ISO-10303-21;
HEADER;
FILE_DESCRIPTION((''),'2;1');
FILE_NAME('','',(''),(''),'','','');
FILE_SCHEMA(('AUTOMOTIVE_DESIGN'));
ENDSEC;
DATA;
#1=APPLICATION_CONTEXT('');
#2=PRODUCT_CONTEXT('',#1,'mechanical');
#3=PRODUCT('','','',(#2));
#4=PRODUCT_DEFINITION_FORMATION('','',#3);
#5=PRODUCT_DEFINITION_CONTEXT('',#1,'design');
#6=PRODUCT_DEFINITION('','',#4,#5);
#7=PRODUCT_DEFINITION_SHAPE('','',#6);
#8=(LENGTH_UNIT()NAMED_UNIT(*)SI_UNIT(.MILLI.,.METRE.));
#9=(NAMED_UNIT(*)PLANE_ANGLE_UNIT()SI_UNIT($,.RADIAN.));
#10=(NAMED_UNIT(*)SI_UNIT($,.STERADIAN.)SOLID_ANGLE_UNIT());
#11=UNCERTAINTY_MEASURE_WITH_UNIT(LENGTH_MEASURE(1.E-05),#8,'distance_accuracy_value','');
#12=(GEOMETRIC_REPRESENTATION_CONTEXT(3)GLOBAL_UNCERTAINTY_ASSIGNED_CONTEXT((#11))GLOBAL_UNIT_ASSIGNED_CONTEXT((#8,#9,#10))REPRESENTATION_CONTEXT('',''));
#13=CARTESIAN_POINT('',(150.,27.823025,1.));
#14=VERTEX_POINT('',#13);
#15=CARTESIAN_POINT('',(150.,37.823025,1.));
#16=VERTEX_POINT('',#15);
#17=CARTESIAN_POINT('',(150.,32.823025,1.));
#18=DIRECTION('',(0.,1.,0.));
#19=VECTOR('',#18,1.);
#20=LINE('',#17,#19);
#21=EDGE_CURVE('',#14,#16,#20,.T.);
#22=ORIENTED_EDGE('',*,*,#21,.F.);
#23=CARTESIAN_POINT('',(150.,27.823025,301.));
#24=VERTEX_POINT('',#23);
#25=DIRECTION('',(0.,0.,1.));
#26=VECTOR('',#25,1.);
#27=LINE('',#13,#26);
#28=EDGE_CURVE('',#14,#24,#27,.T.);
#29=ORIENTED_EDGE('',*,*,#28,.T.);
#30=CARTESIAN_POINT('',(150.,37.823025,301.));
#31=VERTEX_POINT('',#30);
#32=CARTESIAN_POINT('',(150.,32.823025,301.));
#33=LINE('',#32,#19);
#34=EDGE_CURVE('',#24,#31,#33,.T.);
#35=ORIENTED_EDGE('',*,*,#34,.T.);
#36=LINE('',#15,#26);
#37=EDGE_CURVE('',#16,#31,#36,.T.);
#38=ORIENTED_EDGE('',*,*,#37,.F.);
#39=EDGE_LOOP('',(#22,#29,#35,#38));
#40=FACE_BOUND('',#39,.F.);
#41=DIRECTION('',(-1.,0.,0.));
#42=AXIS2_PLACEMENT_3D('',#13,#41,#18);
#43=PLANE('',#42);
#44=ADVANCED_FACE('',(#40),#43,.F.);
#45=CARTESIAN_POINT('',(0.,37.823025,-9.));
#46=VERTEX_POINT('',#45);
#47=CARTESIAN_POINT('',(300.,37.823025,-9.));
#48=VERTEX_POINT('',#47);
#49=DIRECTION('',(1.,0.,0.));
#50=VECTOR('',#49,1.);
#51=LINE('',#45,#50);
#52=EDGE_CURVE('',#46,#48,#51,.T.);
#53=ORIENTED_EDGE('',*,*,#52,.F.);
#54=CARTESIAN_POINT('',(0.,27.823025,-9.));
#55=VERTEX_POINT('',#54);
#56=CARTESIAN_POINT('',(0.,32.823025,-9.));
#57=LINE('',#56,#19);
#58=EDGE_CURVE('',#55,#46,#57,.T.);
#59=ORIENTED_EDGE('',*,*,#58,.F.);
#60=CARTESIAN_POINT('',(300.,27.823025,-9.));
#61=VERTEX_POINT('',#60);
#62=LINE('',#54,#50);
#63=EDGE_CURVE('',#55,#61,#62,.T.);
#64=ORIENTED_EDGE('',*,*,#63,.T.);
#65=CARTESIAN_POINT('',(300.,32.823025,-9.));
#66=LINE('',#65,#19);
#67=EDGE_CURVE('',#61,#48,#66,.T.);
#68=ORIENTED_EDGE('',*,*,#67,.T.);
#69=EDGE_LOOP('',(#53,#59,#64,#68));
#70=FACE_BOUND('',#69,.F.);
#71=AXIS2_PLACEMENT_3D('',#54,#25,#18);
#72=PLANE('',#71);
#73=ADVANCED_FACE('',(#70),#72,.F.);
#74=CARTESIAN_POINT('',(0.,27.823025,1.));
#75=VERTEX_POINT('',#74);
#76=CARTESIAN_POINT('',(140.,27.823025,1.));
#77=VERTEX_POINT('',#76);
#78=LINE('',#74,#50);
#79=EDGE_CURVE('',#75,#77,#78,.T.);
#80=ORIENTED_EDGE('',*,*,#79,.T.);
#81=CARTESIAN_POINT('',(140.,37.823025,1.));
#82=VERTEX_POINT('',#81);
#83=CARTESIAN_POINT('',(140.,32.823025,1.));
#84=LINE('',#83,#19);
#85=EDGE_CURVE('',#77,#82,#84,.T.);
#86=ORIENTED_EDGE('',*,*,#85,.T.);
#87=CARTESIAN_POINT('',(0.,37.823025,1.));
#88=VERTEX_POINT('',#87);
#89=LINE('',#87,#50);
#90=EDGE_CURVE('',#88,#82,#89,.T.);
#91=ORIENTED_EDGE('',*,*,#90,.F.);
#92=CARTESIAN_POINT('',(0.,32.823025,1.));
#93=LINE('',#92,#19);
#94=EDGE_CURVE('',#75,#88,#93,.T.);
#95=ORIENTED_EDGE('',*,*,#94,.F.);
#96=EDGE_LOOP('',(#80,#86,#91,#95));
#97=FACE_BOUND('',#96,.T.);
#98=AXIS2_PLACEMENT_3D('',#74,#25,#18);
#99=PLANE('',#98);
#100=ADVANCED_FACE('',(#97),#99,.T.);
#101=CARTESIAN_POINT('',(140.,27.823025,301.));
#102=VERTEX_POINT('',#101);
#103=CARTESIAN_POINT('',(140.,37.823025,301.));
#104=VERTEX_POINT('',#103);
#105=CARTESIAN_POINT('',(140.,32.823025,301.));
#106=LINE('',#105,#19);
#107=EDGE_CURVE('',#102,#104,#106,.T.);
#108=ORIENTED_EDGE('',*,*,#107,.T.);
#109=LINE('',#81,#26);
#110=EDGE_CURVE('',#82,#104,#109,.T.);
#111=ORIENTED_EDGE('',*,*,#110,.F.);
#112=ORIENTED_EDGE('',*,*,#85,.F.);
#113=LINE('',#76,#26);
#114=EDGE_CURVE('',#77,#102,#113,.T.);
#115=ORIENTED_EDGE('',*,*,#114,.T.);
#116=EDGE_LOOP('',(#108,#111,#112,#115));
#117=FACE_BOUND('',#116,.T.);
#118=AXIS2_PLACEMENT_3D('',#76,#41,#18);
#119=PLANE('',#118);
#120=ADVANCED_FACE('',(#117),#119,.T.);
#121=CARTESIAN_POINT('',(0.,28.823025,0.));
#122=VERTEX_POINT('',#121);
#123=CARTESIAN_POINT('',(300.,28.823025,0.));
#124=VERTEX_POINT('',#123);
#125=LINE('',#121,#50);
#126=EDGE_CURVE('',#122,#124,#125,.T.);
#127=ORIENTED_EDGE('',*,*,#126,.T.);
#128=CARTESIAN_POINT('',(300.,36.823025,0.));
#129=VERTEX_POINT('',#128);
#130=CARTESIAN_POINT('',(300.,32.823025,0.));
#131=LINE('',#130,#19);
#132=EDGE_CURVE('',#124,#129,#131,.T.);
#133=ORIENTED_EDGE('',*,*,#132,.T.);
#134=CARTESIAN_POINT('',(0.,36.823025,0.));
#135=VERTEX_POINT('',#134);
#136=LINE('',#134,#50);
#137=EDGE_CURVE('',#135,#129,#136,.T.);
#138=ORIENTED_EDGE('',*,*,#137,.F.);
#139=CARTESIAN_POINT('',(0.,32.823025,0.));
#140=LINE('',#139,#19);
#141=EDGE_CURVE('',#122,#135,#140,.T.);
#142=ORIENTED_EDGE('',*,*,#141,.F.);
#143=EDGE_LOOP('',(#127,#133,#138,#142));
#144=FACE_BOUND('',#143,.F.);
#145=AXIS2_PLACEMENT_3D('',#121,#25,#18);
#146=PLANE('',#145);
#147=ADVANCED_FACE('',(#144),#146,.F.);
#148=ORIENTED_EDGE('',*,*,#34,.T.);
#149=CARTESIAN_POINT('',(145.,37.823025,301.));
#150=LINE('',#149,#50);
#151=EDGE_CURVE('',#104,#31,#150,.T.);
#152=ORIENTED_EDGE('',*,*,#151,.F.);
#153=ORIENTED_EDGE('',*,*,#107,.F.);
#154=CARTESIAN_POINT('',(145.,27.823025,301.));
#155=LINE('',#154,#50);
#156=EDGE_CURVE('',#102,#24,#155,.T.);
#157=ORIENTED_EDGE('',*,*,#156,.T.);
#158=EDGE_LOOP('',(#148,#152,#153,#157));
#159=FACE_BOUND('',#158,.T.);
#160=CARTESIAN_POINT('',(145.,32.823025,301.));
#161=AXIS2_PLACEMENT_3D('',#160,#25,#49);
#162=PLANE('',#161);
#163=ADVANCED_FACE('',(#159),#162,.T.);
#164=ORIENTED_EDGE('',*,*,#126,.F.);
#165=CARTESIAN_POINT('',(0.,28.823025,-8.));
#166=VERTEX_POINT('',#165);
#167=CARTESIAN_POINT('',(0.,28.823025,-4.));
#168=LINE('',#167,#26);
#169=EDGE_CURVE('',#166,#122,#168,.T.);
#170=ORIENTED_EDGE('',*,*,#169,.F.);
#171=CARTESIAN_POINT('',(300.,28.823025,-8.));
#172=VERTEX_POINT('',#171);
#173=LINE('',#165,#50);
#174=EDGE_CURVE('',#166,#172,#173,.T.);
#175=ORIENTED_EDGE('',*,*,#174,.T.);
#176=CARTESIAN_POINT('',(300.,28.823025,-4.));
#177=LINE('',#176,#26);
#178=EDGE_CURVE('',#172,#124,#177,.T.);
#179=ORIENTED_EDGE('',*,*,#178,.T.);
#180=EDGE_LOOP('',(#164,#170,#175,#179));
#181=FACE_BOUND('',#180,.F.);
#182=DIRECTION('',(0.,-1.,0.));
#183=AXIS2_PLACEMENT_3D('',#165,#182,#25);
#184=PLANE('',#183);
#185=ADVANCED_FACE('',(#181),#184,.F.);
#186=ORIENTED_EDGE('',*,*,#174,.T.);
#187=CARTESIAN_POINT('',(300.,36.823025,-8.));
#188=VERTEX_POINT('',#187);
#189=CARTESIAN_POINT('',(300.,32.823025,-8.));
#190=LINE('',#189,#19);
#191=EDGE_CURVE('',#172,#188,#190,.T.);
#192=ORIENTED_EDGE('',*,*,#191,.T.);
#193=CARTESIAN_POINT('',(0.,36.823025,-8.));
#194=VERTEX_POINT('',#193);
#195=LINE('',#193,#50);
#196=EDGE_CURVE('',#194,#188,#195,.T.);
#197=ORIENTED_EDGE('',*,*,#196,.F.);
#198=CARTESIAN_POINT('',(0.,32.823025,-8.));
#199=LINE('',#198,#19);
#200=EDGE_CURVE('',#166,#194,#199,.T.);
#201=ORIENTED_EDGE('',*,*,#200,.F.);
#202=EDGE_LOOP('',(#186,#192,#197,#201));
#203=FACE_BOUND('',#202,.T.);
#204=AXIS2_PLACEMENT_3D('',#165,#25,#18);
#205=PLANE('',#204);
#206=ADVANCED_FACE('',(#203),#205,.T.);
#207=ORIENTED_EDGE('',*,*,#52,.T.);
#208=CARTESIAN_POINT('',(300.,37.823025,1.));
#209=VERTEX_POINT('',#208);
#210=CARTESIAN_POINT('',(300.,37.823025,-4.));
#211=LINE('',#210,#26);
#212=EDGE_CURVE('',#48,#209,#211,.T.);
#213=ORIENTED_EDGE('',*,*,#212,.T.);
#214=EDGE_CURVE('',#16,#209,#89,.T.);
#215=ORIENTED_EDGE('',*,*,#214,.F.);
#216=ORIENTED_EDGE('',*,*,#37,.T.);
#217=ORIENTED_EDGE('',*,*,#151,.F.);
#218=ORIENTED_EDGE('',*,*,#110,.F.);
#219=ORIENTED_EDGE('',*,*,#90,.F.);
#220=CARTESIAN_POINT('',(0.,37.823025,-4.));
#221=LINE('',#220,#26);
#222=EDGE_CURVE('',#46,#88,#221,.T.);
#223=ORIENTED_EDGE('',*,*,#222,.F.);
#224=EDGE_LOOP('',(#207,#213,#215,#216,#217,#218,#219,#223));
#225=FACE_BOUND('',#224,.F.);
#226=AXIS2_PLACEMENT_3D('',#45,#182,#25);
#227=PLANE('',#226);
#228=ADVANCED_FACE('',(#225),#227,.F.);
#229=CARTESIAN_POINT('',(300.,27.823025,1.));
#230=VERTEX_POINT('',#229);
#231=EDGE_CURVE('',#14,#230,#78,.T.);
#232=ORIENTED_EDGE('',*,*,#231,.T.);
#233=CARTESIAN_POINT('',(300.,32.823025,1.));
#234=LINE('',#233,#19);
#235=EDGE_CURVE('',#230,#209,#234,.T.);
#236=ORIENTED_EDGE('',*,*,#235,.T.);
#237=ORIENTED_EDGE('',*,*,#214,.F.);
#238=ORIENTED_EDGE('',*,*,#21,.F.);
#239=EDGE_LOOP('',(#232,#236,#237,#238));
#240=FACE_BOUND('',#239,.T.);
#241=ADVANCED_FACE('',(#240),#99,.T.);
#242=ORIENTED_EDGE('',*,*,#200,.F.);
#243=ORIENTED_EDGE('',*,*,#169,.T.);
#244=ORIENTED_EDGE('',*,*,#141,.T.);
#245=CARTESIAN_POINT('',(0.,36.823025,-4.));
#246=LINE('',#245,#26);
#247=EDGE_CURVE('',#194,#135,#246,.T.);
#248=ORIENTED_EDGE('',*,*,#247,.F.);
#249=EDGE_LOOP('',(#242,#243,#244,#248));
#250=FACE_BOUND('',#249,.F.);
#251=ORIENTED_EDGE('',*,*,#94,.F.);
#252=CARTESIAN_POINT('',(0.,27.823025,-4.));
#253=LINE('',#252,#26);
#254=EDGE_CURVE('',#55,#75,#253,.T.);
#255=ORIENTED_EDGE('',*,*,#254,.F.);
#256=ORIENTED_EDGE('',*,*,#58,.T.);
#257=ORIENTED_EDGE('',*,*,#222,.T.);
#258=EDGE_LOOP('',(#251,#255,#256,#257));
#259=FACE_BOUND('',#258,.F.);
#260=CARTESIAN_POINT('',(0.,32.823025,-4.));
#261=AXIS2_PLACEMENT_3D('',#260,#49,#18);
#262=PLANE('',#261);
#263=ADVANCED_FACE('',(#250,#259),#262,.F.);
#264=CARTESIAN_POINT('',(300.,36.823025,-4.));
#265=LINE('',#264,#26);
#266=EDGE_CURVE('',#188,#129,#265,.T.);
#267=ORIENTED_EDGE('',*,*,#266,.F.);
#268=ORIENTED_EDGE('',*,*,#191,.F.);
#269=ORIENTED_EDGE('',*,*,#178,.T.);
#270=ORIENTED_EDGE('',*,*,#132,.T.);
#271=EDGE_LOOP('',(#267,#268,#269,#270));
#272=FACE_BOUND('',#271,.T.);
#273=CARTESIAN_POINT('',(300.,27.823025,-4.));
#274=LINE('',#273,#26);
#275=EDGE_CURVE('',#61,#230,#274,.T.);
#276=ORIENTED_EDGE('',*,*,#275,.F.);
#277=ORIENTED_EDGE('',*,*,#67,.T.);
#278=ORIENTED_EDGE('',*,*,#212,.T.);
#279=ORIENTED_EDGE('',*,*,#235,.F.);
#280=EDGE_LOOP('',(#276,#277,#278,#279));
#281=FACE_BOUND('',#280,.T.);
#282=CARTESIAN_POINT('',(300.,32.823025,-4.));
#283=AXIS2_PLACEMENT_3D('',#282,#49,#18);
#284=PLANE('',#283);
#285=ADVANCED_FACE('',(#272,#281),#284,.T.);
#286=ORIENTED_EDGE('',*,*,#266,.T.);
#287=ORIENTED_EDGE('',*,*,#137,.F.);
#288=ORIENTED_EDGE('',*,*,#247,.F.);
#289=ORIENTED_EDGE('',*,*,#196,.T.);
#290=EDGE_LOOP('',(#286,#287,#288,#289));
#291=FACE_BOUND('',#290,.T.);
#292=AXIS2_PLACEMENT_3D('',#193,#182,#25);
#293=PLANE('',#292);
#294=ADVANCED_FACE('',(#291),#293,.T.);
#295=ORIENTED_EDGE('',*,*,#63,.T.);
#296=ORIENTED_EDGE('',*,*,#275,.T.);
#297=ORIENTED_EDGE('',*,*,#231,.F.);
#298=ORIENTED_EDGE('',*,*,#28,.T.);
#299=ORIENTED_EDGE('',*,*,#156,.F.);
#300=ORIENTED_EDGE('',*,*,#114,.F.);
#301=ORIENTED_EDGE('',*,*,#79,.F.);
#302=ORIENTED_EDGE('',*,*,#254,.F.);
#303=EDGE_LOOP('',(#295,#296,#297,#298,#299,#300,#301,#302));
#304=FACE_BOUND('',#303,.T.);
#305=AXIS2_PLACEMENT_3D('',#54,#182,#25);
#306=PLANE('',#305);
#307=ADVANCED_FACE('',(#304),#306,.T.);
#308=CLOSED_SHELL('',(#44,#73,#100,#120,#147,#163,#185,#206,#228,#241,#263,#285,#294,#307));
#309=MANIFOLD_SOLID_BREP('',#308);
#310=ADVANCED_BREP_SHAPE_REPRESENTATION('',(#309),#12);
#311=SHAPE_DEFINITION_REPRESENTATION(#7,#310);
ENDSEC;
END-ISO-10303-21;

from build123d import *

# Parameters (mm, degrees)
F0_W     = 10
F0_H     = 10
F0_W_2   = 8
F0_H_2   = 8
F1_DEPTH = 300
F2_W     = 10
F2_H     = 10
F3_DEPTH = 300


with BuildPart() as f1:
    # F0 (on Right) → F1 (new body)
    with BuildSketch(Plane.YZ):
        with Locations((32.823025, -4)):
            Rectangle(F0_W, F0_H)
        with Locations((32.823025, -4)):
            Rectangle(F0_W_2, F0_H_2, mode=Mode.SUBTRACT)
    extrude(amount=F1_DEPTH)

    # F2 (on face) → F3 (join)
    with BuildSketch(Plane.XY.offset(1)):
        with Locations((145, 32.823025)):
            Rectangle(F2_W, F2_H)
    extrude(amount=F3_DEPTH)


solid = f1.part
